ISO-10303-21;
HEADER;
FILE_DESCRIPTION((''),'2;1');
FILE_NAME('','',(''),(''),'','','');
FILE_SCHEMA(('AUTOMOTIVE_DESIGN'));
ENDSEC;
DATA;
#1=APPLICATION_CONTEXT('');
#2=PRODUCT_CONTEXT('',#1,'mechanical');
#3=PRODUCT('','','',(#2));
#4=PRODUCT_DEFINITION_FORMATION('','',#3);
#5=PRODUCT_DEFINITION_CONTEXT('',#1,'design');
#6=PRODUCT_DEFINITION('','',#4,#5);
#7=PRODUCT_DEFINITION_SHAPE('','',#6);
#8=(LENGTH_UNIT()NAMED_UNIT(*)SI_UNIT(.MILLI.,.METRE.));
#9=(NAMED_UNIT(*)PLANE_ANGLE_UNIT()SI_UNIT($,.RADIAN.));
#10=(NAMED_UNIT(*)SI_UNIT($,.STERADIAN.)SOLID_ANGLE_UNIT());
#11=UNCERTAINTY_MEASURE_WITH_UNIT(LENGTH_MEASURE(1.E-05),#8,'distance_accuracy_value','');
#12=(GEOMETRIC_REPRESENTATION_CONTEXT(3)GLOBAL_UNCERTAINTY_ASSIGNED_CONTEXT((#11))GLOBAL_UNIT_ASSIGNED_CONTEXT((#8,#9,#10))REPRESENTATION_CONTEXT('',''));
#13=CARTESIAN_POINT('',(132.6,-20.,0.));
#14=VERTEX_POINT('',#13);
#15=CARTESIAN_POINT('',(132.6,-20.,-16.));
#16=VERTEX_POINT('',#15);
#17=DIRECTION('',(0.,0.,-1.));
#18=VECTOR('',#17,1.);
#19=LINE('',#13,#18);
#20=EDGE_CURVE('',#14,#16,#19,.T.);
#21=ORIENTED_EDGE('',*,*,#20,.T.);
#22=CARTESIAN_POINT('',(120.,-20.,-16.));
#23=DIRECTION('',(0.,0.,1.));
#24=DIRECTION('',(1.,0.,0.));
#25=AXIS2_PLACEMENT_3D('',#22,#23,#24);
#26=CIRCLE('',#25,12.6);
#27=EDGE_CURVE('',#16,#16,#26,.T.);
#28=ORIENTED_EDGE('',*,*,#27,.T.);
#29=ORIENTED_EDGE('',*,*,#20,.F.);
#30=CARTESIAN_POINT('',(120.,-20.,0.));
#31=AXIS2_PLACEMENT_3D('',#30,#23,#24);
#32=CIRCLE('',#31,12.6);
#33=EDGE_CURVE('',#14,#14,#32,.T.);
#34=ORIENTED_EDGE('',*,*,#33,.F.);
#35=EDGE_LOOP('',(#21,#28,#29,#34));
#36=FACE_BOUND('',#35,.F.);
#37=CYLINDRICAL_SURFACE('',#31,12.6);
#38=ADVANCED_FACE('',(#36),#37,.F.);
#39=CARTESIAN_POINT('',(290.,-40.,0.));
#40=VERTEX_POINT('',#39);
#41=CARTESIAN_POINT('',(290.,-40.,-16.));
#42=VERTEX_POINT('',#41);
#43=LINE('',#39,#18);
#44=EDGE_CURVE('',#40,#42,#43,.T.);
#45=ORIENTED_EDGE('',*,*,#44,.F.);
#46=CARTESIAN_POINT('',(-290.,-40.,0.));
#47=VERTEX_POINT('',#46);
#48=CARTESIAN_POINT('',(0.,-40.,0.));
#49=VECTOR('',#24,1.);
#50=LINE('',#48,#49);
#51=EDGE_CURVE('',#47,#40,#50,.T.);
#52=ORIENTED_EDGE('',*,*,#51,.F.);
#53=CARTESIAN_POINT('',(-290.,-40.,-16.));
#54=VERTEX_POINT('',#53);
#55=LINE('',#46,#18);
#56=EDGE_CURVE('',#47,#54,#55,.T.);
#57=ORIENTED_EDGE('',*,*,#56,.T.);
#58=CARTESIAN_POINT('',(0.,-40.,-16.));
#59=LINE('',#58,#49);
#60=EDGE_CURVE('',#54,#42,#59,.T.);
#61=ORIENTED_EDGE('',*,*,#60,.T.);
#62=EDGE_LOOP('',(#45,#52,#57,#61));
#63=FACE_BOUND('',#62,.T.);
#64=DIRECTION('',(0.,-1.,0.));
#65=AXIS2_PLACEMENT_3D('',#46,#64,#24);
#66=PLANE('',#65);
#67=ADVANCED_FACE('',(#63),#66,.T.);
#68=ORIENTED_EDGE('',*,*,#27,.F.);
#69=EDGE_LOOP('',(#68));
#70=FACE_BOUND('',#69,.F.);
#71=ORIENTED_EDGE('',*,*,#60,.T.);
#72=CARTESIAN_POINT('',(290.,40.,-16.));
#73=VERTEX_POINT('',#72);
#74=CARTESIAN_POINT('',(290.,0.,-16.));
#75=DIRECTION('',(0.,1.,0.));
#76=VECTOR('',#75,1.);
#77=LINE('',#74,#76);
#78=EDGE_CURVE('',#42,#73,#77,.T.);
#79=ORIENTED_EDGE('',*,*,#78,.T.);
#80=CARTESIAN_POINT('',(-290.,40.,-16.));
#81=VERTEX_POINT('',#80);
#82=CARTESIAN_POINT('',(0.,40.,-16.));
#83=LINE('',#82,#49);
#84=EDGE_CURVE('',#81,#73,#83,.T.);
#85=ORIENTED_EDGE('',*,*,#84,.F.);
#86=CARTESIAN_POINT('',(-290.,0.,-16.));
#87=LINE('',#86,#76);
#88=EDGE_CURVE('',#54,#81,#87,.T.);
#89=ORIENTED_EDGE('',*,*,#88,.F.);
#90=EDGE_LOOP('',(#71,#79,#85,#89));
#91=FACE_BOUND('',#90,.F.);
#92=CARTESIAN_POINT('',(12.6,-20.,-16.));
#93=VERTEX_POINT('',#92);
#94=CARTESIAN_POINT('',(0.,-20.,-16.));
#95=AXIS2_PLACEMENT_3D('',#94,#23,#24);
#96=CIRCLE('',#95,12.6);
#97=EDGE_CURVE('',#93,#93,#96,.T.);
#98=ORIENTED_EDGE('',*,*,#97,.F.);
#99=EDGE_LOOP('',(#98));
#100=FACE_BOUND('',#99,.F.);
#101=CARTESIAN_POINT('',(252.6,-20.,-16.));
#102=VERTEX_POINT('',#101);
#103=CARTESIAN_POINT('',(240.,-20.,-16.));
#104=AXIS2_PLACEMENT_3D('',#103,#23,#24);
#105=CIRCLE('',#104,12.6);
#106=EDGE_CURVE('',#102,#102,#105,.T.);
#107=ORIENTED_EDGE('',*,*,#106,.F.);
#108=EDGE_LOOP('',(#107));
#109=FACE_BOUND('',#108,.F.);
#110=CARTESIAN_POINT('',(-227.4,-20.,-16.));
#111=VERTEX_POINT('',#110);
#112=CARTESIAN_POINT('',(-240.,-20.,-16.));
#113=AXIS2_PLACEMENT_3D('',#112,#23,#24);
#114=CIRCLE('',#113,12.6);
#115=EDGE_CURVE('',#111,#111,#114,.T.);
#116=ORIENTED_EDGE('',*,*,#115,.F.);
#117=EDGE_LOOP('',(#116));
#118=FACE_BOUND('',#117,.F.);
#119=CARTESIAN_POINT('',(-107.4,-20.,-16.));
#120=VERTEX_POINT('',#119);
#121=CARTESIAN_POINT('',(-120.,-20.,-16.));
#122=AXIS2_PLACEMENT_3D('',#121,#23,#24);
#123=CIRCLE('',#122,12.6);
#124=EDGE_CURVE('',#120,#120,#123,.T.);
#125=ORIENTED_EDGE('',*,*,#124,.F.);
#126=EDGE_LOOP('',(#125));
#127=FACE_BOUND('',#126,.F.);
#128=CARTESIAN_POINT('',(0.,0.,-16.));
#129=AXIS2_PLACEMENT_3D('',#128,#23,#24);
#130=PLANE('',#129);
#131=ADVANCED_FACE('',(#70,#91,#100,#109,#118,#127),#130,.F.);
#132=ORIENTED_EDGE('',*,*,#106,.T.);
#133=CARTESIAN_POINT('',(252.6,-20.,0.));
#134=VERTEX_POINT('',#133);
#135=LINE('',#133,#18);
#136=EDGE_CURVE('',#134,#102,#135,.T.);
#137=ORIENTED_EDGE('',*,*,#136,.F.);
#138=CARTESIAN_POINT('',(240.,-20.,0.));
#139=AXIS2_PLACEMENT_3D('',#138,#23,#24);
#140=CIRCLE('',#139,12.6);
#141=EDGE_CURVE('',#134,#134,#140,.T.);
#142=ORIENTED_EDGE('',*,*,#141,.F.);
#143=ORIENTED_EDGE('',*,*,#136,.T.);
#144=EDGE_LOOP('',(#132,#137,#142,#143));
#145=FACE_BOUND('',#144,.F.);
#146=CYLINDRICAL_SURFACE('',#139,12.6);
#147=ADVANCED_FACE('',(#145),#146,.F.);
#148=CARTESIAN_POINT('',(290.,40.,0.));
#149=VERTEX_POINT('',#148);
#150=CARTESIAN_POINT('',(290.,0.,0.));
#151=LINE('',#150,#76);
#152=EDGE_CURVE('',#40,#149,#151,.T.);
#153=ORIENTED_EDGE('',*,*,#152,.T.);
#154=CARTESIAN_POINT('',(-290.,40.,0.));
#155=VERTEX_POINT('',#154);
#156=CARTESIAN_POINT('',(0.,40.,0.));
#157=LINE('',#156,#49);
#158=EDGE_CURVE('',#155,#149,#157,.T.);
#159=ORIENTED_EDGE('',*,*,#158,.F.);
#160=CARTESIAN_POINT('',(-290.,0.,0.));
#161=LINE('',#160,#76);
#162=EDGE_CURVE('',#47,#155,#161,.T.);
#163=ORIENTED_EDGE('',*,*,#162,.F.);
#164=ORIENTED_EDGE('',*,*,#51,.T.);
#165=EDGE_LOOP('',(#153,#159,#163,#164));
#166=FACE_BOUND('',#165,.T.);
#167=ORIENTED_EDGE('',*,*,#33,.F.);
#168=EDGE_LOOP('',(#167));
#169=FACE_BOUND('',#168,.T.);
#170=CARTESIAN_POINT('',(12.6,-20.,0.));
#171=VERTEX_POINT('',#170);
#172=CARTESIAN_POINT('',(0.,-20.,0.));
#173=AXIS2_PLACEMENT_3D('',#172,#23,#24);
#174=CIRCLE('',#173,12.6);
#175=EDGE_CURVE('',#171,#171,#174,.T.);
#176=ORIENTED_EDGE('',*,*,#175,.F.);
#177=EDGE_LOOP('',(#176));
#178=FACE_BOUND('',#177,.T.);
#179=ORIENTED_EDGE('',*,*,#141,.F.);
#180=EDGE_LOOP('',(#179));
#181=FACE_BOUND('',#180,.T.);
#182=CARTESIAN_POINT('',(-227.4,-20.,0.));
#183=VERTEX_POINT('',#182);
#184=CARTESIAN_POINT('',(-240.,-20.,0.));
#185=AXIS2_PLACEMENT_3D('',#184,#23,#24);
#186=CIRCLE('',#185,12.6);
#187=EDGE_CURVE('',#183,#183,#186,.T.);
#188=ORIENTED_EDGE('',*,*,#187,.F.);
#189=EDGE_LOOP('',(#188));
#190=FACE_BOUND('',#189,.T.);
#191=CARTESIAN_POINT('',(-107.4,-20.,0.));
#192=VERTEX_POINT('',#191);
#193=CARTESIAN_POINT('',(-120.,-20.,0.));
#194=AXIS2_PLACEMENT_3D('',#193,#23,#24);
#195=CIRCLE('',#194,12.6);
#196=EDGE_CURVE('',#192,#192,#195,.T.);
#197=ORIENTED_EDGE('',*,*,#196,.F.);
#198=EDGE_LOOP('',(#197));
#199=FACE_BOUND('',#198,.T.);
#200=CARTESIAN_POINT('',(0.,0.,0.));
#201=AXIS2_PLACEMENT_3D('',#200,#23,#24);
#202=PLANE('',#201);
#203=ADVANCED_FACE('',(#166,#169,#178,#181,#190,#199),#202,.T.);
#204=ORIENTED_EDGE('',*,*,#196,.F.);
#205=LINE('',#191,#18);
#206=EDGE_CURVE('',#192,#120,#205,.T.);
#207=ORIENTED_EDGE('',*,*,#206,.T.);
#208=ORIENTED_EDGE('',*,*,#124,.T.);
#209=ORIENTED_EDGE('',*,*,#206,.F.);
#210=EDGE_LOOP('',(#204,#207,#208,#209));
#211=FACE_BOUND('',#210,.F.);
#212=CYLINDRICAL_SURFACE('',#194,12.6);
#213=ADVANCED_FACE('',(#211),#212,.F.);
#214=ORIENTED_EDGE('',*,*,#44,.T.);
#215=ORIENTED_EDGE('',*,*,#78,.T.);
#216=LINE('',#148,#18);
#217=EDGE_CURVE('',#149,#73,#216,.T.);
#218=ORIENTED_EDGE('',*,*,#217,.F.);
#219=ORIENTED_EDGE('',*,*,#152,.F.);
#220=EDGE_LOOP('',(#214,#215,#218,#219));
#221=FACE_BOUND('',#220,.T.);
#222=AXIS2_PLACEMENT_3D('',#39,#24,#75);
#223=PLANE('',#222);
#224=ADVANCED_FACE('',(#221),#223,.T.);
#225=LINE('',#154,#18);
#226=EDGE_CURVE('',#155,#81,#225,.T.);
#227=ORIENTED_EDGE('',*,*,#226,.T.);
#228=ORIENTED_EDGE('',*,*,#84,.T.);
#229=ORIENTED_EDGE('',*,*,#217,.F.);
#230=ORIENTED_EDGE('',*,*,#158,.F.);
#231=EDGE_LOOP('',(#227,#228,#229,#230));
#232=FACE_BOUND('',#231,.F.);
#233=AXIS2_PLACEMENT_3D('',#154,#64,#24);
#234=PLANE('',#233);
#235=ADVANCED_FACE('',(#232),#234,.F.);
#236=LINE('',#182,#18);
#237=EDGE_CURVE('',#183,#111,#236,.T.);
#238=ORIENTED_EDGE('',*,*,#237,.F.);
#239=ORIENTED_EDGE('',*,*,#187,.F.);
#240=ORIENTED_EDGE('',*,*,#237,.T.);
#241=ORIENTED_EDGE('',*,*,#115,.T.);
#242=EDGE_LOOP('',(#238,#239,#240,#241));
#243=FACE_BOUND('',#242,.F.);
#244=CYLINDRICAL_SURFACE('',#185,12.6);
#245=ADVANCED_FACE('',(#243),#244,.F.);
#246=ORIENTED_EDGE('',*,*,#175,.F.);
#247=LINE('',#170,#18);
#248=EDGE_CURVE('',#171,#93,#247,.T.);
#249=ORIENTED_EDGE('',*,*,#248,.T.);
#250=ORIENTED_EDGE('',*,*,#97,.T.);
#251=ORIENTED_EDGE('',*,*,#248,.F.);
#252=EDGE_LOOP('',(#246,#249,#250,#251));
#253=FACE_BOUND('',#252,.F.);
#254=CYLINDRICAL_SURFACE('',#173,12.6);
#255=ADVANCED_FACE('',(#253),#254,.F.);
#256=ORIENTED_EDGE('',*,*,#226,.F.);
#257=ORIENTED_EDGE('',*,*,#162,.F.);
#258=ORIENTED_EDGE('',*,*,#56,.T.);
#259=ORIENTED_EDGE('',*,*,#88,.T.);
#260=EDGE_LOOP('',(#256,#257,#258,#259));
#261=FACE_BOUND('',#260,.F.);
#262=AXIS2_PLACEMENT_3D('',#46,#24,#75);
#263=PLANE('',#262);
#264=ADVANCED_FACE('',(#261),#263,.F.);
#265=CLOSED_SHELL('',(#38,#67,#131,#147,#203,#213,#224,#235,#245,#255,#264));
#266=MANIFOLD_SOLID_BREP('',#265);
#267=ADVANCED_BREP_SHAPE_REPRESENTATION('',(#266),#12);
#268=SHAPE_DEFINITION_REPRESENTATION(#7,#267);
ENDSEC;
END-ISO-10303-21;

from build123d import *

# Parameters (mm, degrees)
CROQUIS1_W              = 580
CROQUIS1_H              = 80
CROQUIS1_R              = 12.6
SALIENTE_EXTRUIR1_DEPTH = 16


with BuildPart() as part:
    # Croquis1 → Saliente-Extruir1 (new body)
    with BuildSketch(Plane.XY):
        Rectangle(CROQUIS1_W, CROQUIS1_H)
        with Locations((-240, -20)):
            Circle(CROQUIS1_R, mode=Mode.SUBTRACT)
        with Locations((-120, -20)):
            Circle(CROQUIS1_R, mode=Mode.SUBTRACT)
        with Locations((0, -20)):
            Circle(CROQUIS1_R, mode=Mode.SUBTRACT)
        with Locations((120, -20)):
            Circle(CROQUIS1_R, mode=Mode.SUBTRACT)
        with Locations((240, -20)):
            Circle(CROQUIS1_R, mode=Mode.SUBTRACT)
    extrude(amount=-SALIENTE_EXTRUIR1_DEPTH)


solid = part.part
